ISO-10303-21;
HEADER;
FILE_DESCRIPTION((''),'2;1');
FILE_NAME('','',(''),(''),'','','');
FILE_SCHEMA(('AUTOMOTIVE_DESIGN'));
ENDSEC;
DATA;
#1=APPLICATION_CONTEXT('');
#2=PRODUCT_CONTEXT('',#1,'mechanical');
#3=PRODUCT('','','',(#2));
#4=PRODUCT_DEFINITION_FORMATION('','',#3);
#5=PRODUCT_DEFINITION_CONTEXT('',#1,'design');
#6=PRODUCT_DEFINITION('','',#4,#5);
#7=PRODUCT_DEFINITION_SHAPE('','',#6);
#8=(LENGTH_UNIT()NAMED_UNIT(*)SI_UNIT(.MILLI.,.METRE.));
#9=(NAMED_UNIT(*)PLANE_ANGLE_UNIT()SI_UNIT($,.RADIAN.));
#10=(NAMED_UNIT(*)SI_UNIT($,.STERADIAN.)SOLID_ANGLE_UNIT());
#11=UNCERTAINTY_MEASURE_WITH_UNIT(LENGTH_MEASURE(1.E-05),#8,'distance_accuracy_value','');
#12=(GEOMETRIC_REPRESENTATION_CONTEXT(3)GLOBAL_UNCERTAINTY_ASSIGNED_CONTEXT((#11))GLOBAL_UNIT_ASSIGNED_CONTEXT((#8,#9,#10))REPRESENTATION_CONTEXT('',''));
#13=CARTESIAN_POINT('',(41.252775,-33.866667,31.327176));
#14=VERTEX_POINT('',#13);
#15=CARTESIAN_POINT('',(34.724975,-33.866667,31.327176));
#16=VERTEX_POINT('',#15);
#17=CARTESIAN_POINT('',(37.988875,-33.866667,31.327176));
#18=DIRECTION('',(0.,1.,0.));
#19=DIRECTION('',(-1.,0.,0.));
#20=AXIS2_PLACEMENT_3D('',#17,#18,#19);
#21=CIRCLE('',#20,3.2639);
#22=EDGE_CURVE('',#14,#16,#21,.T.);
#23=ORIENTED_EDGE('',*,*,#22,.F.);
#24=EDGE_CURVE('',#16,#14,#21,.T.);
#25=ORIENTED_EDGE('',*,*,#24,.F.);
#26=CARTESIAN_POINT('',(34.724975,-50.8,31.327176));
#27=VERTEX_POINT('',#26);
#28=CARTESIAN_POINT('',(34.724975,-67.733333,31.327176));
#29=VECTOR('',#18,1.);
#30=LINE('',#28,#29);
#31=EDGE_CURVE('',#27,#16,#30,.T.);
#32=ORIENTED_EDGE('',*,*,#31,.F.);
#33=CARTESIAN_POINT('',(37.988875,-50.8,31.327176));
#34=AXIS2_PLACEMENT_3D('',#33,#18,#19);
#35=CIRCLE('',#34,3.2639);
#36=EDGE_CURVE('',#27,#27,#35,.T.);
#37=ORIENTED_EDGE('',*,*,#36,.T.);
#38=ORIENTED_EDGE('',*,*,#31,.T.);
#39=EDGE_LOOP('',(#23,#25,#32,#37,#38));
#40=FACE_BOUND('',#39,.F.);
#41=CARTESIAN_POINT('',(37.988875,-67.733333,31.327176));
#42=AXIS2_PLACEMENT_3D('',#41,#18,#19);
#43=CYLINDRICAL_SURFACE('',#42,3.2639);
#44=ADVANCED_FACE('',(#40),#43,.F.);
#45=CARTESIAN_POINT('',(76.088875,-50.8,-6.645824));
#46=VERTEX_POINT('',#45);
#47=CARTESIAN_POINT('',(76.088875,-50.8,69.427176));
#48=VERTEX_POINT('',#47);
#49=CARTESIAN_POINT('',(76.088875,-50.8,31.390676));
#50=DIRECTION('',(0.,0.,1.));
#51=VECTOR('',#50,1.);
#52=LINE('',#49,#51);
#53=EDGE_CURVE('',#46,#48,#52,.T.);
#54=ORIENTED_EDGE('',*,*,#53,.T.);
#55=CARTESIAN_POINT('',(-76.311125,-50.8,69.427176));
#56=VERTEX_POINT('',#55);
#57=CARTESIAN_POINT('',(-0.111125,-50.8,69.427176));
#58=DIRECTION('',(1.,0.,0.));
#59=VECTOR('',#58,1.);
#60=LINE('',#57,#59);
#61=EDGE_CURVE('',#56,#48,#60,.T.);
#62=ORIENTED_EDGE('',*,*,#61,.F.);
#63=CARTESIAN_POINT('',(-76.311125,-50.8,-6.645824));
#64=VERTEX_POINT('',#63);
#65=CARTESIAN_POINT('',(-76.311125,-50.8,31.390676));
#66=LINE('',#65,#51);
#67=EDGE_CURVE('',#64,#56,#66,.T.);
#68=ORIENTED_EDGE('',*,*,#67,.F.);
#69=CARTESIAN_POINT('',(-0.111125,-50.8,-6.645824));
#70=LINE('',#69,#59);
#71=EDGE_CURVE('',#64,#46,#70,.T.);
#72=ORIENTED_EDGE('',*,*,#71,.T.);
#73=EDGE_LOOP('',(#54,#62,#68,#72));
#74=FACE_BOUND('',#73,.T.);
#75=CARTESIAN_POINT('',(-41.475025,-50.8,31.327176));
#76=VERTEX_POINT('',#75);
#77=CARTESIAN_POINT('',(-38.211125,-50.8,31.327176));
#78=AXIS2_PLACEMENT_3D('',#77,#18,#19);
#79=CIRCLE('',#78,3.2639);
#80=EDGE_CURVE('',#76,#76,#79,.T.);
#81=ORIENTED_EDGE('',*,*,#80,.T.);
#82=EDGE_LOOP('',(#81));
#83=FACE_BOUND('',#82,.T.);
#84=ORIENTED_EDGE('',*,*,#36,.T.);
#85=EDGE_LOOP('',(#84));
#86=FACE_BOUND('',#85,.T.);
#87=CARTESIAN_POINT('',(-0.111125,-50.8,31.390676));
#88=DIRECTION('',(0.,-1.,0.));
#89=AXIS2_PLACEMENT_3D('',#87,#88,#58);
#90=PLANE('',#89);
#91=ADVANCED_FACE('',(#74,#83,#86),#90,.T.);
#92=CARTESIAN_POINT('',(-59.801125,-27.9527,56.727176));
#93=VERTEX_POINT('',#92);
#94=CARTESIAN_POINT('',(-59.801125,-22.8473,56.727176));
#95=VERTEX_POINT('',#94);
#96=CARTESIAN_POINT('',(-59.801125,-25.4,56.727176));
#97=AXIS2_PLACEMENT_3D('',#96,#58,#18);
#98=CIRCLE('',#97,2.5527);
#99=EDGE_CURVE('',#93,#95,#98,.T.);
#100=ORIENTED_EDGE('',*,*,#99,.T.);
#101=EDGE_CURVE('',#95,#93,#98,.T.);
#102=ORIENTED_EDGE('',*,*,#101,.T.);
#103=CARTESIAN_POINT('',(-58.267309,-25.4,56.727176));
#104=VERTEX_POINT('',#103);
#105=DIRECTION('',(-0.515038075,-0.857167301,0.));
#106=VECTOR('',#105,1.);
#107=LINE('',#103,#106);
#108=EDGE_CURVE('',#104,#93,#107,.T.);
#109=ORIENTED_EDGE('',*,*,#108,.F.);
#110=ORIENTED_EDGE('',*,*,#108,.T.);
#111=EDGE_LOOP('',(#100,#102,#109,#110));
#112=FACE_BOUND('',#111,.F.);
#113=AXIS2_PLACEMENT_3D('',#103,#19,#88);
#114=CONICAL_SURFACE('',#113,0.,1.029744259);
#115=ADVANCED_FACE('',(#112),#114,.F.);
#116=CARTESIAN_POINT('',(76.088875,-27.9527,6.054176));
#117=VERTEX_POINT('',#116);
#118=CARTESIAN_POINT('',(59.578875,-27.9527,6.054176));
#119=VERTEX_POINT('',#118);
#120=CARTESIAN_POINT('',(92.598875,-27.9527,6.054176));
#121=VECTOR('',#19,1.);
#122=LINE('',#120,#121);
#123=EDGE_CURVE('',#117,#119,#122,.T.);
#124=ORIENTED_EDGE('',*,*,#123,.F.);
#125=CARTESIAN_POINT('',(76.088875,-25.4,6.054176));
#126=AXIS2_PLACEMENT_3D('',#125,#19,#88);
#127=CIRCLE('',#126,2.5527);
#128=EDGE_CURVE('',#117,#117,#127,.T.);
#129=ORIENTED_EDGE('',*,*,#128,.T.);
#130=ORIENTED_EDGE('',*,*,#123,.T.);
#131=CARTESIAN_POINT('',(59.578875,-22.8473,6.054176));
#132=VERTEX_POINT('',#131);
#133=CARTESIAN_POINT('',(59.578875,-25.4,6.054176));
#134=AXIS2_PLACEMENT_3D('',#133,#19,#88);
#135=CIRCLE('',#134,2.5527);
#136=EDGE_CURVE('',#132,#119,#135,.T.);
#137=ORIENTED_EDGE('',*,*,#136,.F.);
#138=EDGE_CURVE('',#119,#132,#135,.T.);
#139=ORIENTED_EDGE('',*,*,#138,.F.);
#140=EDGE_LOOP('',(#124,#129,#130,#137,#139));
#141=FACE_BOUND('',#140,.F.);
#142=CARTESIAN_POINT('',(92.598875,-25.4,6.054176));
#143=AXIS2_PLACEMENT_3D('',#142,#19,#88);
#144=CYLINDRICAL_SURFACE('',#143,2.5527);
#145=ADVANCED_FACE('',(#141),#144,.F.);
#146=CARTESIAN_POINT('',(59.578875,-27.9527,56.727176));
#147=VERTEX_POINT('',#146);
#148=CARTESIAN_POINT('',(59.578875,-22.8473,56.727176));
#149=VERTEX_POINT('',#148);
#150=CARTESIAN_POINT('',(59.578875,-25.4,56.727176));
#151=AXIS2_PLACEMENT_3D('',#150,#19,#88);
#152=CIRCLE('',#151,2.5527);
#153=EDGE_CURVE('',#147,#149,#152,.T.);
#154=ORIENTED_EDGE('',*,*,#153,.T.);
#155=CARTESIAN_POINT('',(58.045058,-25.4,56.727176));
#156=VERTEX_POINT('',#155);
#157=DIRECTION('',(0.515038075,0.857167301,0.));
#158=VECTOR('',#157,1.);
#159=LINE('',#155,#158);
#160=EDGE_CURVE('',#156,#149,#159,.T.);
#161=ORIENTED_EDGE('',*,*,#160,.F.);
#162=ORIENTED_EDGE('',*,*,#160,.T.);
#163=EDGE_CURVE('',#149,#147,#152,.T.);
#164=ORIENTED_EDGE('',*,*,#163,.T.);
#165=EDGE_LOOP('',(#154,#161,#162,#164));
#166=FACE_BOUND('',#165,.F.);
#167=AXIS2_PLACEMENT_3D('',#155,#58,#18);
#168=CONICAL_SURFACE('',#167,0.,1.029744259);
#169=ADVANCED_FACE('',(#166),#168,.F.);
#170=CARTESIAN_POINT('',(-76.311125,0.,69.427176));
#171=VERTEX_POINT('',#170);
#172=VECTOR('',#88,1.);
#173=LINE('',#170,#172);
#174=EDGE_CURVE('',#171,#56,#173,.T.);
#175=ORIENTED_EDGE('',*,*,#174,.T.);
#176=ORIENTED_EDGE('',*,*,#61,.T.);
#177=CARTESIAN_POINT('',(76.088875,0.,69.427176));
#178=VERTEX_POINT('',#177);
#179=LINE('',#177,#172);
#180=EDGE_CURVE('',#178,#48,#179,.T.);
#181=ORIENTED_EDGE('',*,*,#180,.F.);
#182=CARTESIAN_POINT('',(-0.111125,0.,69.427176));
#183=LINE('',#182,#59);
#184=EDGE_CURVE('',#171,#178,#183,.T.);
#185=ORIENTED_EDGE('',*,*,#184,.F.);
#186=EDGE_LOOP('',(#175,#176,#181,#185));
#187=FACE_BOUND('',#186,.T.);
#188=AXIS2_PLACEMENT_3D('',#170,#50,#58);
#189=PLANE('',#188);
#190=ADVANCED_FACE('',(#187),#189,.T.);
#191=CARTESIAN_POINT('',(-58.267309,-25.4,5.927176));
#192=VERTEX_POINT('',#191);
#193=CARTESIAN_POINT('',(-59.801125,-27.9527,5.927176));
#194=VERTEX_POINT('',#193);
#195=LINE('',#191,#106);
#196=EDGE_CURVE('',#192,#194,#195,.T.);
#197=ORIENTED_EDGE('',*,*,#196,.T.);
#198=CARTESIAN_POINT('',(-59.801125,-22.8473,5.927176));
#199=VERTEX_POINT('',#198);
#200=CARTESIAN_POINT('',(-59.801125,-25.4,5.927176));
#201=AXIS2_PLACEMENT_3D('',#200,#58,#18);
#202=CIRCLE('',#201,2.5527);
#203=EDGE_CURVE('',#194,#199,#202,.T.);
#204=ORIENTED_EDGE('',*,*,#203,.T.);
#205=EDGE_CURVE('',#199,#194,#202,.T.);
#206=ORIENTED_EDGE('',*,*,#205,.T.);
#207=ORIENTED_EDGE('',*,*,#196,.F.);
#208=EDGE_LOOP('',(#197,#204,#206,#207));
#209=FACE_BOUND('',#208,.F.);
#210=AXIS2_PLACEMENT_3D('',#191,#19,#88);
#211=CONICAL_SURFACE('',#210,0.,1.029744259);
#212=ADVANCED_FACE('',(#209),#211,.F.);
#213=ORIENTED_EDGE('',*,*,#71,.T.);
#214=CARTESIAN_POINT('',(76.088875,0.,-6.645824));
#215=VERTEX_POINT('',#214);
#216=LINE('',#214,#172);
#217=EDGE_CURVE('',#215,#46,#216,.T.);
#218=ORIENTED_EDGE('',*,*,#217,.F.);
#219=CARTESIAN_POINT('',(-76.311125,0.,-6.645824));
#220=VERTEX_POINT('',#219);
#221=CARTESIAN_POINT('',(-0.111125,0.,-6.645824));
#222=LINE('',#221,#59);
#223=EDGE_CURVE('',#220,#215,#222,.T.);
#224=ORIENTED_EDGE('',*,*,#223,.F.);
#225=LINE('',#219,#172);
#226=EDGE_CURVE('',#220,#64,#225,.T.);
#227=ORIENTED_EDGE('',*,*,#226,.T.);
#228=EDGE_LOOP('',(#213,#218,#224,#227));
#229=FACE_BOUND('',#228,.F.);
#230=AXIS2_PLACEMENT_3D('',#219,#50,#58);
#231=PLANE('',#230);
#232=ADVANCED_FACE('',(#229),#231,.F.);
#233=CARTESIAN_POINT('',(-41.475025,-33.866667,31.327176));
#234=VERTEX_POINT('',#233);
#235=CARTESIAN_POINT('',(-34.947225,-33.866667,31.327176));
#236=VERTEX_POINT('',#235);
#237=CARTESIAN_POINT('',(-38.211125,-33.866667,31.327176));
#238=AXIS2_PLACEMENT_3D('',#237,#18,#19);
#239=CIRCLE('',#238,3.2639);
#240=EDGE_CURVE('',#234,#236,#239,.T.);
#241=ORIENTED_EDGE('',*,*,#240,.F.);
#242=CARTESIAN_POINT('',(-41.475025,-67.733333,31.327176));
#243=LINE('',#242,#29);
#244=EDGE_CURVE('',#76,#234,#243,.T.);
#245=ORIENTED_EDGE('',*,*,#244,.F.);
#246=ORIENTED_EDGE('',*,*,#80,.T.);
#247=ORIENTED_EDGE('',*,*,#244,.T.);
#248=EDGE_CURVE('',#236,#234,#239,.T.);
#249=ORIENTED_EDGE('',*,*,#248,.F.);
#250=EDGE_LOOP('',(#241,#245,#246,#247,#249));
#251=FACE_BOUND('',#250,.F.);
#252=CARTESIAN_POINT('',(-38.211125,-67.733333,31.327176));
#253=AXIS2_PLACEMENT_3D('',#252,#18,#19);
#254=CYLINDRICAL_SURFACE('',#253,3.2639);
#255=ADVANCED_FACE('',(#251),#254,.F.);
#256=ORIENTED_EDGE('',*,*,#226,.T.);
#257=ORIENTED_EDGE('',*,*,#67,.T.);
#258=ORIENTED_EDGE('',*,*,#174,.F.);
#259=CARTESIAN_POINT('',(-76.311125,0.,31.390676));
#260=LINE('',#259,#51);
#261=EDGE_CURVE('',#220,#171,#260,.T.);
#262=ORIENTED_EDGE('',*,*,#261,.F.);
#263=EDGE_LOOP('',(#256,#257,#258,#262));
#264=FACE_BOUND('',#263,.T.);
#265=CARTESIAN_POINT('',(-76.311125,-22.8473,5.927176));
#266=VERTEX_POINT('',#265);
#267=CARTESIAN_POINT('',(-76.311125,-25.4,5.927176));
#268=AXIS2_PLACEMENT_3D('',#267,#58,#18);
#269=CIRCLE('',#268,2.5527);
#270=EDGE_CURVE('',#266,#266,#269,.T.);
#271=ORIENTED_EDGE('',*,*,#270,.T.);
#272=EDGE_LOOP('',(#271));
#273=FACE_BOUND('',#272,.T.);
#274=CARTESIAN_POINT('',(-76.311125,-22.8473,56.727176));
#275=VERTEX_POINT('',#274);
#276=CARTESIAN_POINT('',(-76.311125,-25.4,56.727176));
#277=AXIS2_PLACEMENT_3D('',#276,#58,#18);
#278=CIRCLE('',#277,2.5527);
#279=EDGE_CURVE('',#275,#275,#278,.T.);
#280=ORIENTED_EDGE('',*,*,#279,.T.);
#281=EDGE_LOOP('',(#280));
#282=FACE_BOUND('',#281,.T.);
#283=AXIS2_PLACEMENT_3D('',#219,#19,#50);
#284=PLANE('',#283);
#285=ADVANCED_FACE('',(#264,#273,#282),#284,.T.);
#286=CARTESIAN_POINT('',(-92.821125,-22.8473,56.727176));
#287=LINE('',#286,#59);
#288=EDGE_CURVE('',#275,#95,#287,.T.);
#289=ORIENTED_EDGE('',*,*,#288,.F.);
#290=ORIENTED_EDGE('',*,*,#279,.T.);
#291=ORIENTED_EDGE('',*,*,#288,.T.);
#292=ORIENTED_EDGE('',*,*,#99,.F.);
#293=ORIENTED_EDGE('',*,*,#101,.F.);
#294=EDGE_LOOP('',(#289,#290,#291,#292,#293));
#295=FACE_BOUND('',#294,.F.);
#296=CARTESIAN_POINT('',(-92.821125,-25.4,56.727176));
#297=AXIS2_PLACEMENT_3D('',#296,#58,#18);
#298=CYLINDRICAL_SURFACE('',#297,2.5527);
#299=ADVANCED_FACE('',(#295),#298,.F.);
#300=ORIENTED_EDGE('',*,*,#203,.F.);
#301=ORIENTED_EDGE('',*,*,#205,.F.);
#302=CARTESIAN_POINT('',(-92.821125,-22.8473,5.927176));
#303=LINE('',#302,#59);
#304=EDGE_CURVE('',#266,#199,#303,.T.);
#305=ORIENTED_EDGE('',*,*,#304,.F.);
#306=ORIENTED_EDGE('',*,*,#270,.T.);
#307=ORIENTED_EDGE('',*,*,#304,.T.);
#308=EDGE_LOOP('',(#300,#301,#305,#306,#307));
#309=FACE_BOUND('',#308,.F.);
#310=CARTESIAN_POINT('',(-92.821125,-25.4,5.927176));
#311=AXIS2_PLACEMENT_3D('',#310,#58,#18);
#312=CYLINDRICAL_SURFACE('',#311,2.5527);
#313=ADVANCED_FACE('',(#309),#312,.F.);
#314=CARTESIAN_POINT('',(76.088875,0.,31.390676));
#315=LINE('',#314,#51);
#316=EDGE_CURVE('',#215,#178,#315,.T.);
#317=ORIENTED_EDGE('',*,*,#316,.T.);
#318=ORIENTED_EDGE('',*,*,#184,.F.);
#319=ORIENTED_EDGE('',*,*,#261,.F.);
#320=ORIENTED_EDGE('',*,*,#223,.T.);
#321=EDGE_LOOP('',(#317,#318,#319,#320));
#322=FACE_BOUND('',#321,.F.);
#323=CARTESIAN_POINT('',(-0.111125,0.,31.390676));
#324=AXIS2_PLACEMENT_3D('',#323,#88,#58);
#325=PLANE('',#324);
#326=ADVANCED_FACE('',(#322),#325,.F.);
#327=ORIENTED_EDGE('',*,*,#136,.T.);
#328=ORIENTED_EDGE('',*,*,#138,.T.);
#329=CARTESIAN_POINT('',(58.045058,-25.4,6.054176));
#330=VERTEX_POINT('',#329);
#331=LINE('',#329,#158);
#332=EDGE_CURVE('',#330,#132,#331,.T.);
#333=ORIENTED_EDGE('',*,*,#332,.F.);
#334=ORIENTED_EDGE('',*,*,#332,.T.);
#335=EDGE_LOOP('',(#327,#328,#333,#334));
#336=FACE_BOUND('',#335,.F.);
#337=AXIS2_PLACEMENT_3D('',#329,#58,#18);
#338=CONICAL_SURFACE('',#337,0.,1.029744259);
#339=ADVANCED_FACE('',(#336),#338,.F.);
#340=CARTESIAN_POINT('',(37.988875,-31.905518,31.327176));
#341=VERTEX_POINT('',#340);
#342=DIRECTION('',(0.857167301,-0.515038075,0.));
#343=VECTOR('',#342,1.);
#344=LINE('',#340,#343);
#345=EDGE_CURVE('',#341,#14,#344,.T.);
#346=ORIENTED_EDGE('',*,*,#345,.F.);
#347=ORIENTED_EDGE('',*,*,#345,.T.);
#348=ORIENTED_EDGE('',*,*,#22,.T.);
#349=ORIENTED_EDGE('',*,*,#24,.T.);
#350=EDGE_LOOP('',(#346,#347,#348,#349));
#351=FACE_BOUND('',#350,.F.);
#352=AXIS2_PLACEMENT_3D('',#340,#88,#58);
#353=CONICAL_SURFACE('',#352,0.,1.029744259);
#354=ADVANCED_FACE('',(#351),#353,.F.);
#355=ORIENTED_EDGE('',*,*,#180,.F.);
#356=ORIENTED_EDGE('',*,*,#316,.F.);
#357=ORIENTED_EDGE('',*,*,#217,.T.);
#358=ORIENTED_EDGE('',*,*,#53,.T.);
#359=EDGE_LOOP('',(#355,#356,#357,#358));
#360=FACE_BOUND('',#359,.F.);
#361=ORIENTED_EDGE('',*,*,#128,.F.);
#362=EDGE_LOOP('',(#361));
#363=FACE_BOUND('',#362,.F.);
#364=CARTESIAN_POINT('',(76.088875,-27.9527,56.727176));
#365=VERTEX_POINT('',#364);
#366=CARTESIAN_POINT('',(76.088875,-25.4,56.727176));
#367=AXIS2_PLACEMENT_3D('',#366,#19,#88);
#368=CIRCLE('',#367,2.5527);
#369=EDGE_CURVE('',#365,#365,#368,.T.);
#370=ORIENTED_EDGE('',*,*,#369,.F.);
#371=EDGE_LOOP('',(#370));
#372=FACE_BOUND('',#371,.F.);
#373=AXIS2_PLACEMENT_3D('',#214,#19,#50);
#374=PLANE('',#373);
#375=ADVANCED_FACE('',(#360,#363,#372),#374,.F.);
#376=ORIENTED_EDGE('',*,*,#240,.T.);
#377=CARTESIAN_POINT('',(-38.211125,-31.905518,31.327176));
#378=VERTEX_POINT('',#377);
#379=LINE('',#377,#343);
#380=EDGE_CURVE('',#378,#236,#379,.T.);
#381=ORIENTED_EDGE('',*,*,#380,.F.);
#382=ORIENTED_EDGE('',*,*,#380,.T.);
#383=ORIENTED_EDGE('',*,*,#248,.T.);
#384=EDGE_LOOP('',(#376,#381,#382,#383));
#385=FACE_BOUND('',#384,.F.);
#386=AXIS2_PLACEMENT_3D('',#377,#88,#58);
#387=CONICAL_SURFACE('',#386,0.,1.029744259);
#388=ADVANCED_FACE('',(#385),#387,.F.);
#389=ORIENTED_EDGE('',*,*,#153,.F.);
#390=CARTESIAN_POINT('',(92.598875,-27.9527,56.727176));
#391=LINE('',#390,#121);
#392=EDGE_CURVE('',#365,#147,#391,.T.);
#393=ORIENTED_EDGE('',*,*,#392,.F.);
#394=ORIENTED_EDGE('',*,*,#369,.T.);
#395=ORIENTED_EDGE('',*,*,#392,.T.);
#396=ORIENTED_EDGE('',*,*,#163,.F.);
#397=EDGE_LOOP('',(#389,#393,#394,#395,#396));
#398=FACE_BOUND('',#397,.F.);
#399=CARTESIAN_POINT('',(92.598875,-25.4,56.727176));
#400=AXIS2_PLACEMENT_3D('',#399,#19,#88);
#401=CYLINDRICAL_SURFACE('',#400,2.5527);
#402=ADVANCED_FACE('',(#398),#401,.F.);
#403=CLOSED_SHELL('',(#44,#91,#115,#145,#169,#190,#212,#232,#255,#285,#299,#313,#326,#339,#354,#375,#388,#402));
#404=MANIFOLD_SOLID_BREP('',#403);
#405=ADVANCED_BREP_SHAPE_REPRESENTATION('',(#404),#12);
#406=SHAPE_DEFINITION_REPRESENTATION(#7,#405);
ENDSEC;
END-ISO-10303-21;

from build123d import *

# Parameters (mm, degrees)
F0_W     = 152.4
F0_H     = 76.073
F1_DEPTH = 50.8
F3_D     = 5.1054
F3_DEPTH = 16.51
F3_TIP   = 1.5338169022
F5_D     = 5.1054
F5_DEPTH = 16.51
F5_TIP   = 1.5338169022
F7_D     = 6.5278
F7_DEPTH = 16.9333333333
F7_TIP   = 1.9611489744


with BuildPart() as f1:
    # F0 (on Front) → F1 (new body)
    with BuildSketch(Plane.XZ):
        with Locations((-0.1111254096, 31.3906762446)):
            Rectangle(F0_W, F0_H)
    extrude(amount=F1_DEPTH)

    # F3
    with Locations(Plane(origin=(-76.3111254096, 0, 0), x_dir=(0, -1, 0), z_dir=(-1, 0, 0))):
        with Locations((25.4, 56.7271762446), (25.4, 5.9271762446)):
            Hole(F3_D / 2, depth=F3_DEPTH)
            with Locations((0, 0, -(F3_DEPTH + F3_TIP / 2))):  # 118° drill point
                Cone(0, F3_D / 2, F3_TIP, mode=Mode.SUBTRACT)

    # F5
    with Locations(Plane.YZ.offset(76.0888745904)):
        with Locations((-25.4, 56.7271762446), (-25.4, 6.0541762446)):
            Hole(F5_D / 2, depth=F5_DEPTH)
            with Locations((0, 0, -(F5_DEPTH + F5_TIP / 2))):  # 118° drill point
                Cone(0, F5_D / 2, F5_TIP, mode=Mode.SUBTRACT)

    # F7
    with Locations(Plane.XZ.offset(50.8)):
        with Locations((-38.2111254096, 31.3271762446), (37.9888745904, 31.3271762446)):
            Hole(F7_D / 2, depth=F7_DEPTH)
            with Locations((0, 0, -(F7_DEPTH + F7_TIP / 2))):  # 118° drill point
                Cone(0, F7_D / 2, F7_TIP, mode=Mode.SUBTRACT)


solid = f1.part
